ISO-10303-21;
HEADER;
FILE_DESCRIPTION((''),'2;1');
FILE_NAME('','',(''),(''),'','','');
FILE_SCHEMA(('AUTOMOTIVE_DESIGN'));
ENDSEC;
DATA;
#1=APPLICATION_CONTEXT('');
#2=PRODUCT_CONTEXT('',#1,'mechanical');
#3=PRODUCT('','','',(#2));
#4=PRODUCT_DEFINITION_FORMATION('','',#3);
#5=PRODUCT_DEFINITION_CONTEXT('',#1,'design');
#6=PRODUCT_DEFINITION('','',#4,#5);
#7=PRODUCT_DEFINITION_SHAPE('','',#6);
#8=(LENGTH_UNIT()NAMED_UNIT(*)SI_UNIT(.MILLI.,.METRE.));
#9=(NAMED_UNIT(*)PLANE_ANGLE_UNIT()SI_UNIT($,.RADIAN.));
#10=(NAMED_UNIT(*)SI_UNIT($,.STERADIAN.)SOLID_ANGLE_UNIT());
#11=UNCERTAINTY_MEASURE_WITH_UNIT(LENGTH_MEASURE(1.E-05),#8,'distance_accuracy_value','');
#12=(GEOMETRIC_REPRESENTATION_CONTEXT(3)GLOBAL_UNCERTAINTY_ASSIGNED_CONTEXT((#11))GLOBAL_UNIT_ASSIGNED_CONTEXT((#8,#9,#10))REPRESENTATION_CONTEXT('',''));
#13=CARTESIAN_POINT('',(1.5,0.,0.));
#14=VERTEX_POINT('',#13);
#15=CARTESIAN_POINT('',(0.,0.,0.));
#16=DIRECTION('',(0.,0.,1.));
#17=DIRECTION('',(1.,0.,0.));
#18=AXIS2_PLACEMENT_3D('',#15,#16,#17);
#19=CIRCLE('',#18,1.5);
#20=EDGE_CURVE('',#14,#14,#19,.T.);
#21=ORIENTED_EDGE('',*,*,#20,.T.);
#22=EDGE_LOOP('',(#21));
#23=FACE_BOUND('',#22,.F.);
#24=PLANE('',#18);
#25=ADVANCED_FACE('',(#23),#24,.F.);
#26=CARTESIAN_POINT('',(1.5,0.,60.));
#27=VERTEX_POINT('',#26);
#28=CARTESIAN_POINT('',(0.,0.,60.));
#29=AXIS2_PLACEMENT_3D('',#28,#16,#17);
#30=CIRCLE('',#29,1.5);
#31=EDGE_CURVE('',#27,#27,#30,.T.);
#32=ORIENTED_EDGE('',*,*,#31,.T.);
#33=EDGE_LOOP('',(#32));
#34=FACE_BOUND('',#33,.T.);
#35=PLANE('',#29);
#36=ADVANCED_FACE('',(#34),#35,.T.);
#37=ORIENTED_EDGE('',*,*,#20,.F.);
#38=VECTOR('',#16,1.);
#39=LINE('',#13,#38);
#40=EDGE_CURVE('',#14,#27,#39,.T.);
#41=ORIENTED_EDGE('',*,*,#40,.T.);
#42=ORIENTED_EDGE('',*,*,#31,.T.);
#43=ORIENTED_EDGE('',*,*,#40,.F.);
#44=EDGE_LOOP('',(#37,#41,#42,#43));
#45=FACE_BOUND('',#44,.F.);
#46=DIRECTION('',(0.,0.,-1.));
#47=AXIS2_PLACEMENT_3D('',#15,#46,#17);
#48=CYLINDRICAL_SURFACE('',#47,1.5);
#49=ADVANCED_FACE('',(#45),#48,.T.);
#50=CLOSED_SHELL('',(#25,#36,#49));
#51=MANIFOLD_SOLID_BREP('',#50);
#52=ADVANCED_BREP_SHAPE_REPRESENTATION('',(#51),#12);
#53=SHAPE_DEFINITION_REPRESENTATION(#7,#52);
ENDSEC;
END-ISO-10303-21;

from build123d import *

# Parameters (mm, degrees)
SKETCH_1_R      = 1.5
EXTRUDE_1_DEPTH = 60


with BuildPart() as part:
    # 草图1 → 凸台-拉伸1 (new body)
    with BuildSketch(Plane.XY):
        Circle(SKETCH_1_R)
    extrude(amount=EXTRUDE_1_DEPTH)


solid = part.part
